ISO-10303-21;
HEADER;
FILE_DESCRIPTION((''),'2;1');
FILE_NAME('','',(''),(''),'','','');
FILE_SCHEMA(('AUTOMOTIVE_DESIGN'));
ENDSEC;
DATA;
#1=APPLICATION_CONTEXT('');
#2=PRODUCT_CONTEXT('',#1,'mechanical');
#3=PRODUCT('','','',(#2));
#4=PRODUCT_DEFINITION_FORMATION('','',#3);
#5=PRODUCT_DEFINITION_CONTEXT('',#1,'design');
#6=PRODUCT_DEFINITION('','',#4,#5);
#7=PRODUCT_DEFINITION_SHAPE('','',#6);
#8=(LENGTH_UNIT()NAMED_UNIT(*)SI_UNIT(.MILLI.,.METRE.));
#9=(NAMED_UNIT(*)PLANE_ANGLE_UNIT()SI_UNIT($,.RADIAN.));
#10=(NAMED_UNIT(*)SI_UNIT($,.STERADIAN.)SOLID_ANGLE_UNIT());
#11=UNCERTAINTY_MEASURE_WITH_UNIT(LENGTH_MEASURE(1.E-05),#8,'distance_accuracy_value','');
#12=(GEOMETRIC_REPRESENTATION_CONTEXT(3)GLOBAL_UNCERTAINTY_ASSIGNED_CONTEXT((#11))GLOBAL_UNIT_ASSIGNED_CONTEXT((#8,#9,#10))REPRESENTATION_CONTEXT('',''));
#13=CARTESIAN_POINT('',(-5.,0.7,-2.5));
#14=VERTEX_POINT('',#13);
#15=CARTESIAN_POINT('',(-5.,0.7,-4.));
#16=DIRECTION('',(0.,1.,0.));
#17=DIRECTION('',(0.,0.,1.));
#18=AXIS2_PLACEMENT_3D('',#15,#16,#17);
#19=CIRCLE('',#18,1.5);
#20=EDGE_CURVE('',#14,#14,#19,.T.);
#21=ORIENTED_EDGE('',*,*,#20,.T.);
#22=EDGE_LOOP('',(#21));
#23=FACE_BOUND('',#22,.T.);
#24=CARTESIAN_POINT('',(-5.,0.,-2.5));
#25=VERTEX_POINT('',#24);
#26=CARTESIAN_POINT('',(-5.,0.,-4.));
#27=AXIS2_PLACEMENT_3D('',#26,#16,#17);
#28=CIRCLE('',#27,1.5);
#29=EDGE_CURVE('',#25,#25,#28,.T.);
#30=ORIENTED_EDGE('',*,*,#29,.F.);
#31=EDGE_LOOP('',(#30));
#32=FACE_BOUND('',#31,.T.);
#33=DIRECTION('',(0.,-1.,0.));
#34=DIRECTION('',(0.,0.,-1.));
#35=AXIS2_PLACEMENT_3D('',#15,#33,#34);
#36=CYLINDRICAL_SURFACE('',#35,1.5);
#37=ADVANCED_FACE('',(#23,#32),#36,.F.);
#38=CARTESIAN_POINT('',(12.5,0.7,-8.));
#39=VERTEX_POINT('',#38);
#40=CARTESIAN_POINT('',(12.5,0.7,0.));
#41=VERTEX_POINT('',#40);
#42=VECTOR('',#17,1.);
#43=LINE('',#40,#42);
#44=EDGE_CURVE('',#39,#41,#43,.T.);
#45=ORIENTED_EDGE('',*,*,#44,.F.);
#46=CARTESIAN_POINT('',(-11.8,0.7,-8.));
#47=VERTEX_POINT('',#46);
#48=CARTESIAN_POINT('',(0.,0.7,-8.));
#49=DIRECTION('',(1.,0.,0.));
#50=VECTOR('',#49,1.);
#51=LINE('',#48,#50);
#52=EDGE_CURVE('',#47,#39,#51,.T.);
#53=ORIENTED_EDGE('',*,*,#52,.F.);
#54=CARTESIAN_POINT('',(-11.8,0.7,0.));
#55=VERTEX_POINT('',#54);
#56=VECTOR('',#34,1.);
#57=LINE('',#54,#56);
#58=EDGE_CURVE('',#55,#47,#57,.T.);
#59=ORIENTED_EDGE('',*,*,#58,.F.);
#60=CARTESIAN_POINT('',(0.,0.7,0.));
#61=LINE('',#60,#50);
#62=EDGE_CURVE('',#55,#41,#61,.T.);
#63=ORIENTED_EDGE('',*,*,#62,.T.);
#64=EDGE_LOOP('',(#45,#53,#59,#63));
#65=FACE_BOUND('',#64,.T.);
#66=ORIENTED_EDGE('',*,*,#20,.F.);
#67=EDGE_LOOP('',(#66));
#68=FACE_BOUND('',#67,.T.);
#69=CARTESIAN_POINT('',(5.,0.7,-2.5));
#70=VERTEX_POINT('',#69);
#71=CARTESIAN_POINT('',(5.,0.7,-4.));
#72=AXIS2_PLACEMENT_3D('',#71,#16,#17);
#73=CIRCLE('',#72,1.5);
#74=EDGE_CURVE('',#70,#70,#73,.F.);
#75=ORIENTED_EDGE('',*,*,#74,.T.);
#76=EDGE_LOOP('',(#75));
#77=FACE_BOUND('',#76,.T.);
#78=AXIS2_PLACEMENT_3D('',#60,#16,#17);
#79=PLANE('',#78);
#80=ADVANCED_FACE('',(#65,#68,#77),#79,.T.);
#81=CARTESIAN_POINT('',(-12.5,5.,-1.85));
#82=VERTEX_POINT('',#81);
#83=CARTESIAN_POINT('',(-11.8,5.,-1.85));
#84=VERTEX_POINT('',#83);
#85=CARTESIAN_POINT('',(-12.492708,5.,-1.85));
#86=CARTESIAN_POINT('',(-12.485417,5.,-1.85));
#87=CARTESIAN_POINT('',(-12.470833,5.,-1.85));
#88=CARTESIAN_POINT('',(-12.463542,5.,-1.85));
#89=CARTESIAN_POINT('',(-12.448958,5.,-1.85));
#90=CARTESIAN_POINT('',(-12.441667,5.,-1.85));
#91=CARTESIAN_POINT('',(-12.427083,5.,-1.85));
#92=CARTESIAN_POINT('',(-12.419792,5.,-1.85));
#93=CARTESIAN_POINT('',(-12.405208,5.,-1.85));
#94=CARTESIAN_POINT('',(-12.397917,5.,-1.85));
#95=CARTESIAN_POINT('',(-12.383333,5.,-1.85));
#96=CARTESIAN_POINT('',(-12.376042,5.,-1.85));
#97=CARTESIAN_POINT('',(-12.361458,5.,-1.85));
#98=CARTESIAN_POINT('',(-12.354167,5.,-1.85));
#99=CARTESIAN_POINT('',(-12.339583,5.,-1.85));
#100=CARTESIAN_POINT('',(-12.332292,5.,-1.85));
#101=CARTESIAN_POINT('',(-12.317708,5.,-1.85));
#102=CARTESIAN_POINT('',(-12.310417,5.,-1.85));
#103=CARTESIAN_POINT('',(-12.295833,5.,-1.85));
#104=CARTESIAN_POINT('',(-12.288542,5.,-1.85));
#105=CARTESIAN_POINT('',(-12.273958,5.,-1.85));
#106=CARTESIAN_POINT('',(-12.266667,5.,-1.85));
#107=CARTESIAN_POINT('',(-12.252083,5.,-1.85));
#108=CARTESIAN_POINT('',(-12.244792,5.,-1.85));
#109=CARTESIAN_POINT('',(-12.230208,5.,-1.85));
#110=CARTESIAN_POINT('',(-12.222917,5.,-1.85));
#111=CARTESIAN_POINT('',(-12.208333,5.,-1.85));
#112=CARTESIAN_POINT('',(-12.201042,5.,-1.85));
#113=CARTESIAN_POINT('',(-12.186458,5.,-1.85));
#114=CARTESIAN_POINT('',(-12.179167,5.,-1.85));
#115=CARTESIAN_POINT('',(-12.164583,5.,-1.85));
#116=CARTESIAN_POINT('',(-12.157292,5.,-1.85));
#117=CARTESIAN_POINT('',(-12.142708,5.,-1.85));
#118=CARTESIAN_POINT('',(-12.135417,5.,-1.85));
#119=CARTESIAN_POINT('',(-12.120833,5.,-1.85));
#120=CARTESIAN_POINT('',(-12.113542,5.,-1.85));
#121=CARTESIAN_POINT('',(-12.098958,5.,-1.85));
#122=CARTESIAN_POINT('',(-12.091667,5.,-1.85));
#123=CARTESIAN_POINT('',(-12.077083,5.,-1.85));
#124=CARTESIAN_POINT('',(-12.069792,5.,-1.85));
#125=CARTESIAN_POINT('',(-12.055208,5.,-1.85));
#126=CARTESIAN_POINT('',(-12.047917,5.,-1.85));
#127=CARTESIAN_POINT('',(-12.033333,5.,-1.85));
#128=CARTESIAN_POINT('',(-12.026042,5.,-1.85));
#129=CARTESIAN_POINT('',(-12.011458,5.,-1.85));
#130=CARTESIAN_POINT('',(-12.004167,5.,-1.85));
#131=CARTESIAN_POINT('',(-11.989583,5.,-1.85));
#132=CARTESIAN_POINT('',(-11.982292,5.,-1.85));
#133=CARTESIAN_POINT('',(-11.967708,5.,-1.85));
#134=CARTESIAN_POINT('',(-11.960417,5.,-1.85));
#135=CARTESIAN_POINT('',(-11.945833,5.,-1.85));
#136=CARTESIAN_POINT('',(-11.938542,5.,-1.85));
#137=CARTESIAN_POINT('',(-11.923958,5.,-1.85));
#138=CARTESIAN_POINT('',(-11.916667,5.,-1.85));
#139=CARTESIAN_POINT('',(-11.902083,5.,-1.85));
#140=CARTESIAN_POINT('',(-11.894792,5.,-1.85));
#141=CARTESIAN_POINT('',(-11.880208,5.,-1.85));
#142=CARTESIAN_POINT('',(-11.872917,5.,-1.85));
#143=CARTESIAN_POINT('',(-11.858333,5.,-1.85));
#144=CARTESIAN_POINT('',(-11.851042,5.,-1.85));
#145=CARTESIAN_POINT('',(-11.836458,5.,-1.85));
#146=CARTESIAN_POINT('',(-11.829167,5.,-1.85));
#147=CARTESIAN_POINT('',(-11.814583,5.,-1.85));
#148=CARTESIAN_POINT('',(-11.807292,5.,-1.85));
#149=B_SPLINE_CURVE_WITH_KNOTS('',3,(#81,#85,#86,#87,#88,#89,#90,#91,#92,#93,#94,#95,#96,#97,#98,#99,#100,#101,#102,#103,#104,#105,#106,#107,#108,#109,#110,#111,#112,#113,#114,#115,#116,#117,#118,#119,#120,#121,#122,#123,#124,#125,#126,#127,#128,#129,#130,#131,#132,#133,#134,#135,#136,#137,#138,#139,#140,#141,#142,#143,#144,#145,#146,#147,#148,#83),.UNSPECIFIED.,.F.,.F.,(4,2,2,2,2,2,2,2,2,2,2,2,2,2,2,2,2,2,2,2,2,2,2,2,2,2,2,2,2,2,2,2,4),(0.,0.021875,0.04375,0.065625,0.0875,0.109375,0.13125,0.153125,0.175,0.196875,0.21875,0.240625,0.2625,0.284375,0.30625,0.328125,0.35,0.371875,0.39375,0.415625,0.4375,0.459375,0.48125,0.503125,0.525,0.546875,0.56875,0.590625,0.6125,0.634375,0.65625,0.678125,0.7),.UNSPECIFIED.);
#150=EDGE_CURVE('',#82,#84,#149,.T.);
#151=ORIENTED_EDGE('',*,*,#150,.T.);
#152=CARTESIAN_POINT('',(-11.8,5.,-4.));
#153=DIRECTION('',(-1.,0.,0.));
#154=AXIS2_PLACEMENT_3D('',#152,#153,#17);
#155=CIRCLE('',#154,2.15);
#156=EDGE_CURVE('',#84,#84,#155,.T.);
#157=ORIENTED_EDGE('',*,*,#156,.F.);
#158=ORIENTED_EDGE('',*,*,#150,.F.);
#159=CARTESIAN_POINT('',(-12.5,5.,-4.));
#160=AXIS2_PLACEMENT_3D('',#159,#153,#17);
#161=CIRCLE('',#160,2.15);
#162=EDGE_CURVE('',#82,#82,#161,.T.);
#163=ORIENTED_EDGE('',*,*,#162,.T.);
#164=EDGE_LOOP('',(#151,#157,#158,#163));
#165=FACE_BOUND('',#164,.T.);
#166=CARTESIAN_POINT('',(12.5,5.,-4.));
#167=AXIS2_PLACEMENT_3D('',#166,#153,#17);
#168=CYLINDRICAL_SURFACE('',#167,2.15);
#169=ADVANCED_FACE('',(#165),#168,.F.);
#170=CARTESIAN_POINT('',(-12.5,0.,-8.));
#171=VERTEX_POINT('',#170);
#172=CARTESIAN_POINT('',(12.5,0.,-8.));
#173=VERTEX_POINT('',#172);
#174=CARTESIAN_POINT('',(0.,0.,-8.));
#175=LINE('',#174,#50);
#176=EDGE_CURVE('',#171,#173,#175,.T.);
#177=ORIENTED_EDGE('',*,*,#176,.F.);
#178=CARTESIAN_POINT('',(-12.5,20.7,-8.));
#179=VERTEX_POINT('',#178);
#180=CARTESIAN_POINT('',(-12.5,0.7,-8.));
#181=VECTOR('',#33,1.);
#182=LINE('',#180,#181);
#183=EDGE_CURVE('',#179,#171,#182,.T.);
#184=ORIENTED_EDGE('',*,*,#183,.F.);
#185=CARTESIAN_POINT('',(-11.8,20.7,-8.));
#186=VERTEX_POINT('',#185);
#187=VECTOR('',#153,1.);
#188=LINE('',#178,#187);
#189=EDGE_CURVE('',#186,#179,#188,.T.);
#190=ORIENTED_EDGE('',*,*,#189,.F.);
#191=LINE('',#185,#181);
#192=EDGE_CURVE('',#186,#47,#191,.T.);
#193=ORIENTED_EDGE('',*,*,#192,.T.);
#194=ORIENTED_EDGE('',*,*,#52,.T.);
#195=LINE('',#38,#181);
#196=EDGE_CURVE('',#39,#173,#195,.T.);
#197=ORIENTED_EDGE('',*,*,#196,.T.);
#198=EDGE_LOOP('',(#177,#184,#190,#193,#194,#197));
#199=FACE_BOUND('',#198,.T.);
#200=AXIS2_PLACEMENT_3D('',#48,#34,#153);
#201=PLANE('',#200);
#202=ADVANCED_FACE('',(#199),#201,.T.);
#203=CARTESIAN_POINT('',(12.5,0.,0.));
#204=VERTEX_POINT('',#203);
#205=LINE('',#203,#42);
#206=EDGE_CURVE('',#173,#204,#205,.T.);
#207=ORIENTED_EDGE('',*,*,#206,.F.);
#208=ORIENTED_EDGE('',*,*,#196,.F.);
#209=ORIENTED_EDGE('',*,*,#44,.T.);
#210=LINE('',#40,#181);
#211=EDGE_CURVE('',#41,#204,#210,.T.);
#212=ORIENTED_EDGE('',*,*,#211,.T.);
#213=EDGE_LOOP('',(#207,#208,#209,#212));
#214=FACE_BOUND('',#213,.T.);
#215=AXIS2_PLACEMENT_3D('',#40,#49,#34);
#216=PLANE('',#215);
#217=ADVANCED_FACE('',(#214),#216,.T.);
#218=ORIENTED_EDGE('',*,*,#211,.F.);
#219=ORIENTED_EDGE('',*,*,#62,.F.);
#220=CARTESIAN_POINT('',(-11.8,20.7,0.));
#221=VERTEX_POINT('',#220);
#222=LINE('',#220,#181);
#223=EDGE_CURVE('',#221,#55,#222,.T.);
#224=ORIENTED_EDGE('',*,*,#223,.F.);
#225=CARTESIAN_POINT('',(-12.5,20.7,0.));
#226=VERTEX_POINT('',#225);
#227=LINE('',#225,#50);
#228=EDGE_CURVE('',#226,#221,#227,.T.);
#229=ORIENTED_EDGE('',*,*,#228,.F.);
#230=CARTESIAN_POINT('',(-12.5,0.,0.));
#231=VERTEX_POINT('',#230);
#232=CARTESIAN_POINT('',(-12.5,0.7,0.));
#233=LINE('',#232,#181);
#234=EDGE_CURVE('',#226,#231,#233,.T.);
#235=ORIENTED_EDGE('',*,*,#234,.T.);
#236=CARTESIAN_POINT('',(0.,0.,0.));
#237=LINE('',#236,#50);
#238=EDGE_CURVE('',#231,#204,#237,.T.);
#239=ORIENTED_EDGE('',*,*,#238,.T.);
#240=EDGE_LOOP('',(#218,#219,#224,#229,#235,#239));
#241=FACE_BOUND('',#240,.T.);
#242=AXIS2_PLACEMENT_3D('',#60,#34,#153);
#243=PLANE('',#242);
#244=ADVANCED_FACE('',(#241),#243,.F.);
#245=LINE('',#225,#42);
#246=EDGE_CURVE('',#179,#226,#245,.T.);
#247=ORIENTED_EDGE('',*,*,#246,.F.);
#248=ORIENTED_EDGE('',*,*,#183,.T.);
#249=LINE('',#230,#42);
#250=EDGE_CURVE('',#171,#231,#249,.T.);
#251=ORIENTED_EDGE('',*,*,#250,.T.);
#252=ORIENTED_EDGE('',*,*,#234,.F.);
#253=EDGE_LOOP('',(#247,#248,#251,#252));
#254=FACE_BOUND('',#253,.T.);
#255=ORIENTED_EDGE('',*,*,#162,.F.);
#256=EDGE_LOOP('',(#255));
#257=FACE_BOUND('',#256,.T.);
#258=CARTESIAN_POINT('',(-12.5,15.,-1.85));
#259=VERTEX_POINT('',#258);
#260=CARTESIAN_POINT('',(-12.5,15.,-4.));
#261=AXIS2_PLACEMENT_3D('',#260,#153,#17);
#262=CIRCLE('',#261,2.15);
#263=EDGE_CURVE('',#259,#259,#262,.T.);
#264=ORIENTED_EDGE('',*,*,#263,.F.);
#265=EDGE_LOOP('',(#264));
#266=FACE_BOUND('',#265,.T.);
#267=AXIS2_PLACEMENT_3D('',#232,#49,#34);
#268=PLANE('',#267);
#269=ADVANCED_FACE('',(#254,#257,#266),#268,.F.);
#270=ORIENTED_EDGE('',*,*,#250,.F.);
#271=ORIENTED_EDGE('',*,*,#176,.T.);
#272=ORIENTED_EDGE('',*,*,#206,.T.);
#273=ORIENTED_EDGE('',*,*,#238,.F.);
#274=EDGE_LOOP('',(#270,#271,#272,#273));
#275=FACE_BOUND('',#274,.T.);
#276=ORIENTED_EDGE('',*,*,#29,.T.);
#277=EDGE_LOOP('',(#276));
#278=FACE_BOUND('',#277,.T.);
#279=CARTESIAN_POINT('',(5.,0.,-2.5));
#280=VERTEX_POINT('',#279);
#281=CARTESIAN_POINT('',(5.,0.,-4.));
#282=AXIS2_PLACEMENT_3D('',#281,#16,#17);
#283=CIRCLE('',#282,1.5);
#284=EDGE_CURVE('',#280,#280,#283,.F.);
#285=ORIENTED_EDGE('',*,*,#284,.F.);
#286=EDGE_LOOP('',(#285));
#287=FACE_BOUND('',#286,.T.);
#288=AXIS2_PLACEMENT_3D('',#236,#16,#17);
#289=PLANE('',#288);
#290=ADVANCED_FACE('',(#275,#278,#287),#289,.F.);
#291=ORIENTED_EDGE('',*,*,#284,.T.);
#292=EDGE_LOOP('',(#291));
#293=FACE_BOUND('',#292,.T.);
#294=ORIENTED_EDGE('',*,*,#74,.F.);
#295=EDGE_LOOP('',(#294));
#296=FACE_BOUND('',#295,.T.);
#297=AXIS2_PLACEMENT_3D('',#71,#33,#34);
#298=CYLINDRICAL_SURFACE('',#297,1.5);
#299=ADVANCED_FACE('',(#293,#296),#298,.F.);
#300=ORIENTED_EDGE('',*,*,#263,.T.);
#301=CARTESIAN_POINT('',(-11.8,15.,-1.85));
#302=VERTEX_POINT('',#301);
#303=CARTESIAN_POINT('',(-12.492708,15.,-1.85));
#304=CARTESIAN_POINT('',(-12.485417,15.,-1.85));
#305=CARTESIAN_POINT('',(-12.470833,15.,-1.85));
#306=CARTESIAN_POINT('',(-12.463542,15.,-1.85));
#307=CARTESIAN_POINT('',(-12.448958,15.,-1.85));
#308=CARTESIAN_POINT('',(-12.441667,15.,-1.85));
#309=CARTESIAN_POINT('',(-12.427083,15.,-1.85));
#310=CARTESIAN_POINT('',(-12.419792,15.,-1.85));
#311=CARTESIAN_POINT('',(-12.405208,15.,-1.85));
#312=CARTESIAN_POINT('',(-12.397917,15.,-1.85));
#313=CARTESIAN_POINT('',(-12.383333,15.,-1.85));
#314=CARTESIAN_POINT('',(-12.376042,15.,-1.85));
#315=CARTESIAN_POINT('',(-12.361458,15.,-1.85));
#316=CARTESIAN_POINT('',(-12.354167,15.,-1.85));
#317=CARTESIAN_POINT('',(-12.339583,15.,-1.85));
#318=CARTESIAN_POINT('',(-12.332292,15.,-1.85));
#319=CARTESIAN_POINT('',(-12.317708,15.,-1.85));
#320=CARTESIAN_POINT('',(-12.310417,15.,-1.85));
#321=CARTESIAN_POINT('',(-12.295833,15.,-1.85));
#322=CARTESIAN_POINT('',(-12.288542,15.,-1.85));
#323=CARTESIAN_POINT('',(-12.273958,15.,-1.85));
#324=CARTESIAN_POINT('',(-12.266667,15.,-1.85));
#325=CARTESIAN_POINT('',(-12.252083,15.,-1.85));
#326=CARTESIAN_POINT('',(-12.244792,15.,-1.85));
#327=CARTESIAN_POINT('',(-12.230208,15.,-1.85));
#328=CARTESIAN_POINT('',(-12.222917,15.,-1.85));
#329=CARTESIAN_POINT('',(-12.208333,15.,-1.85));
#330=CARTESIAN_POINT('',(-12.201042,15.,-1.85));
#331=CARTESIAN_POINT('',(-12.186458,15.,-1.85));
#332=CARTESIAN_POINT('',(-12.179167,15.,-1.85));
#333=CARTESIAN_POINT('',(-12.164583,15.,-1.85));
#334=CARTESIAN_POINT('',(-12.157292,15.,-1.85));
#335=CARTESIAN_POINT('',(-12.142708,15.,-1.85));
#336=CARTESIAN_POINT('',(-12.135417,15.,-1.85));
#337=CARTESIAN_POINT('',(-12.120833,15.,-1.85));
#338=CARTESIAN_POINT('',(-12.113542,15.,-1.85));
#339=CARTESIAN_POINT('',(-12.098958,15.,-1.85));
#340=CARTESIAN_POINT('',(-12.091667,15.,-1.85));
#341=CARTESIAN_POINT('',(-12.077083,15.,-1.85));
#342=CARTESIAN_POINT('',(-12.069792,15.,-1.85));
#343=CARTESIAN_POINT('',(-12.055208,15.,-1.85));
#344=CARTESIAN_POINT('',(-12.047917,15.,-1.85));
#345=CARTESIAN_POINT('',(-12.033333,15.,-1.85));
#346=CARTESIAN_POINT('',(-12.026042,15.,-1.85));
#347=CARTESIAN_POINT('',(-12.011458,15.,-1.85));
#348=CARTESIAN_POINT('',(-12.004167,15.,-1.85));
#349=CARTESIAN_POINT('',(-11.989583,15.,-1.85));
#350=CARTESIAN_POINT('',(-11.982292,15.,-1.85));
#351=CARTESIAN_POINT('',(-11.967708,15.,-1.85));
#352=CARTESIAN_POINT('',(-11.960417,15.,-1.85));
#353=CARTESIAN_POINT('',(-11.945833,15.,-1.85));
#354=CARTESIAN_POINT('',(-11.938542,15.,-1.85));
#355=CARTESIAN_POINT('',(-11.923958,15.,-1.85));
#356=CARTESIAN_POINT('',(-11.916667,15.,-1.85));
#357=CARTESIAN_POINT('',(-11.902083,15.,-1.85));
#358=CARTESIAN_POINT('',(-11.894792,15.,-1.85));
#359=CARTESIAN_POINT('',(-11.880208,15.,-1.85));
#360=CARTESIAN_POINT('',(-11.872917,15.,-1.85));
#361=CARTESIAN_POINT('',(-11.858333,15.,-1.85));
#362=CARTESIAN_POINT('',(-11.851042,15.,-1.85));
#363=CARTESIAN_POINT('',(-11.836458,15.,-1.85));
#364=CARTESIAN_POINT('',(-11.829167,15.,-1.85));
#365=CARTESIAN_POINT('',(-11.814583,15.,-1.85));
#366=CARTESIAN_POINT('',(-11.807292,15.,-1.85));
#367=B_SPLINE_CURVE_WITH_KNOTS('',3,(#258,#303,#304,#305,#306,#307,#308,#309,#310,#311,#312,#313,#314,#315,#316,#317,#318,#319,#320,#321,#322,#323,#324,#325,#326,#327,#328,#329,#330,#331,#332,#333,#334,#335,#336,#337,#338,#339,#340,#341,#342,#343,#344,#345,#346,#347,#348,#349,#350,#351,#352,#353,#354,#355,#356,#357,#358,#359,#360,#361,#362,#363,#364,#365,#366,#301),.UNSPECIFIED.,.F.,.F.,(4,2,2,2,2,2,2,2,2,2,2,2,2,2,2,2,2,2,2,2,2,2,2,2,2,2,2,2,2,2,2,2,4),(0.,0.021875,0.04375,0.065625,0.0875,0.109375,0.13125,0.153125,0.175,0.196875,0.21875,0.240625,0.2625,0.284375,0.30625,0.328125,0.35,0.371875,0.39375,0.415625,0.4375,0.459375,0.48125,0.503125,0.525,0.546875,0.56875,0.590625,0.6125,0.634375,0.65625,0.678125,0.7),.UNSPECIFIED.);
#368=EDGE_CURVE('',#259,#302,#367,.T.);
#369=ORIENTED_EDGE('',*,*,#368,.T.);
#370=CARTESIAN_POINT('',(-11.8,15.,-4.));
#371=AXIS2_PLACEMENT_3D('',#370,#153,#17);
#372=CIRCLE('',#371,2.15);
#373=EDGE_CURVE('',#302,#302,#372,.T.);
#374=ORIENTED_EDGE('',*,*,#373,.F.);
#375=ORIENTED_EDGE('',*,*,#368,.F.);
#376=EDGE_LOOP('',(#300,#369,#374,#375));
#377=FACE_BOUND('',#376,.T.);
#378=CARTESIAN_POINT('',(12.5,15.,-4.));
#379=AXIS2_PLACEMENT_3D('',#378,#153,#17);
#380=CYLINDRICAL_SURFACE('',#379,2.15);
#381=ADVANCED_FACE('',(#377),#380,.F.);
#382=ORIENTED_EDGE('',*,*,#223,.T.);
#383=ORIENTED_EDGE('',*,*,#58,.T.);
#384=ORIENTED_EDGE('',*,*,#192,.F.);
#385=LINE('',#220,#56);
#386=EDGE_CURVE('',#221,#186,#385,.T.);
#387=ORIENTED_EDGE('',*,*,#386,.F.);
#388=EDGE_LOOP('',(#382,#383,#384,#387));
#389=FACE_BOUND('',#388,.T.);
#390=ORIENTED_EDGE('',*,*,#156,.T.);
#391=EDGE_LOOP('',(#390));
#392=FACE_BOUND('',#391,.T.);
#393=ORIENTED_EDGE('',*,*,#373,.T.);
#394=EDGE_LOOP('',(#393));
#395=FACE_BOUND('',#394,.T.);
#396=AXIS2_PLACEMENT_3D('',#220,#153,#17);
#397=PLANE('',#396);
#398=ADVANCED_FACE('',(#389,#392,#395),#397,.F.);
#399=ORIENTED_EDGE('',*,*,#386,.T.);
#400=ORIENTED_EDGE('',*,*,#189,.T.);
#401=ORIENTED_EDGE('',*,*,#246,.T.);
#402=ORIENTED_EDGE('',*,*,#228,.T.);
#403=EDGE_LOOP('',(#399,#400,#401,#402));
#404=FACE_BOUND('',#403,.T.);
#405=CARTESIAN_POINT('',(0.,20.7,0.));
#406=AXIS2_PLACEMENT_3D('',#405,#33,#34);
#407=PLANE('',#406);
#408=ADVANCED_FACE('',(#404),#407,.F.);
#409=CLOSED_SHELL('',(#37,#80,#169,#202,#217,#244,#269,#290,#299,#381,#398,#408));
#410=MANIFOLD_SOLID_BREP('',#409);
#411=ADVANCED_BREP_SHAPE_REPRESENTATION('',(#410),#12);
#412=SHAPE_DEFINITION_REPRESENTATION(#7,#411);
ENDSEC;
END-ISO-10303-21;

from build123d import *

# Parameters (mm, degrees)
BOSS_EXTRUDE1_DEPTH = 0.7
SKETCH3_W           = 0.7
SKETCH3_H           = 8
BOSS_EXTRUDE3_DEPTH = 20
SKETCH4_R           = 2.15
CUT_EXTRUDE1_DEPTH  = 34.42887973


with BuildPart() as part:
    # Sketch1 → Boss-Extrude1 (new body)
    with BuildSketch(Plane(origin=(0, 0, 0), x_dir=(1, 0, 0), z_dir=(0, 1, 0))):
        with BuildLine():
            Line((0, 0), (0, 4))
            Line((0, 4), (-3.5, 4))
            ThreePointArc((-3.5, 4), (-5, 2.5), (-6.5, 4))
            Line((-6.5, 4), (-12.5, 4))
            Line((-12.5, 4), (-12.5, 0))
            Line((-12.5, 0), (0, 0))
        make_face()
        with BuildLine():
            Line((12.5, 4), (6.5, 4))
            ThreePointArc((6.5, 4), (5, 2.5), (3.5, 4))
            Line((3.5, 4), (0, 4))
            Line((0, 4), (0, 0))
            Line((0, 0), (12.5, 0))
            Line((12.5, 0), (12.5, 4))
        make_face()
        with BuildLine():
            ThreePointArc((3.5, 4), (5, 5.5), (6.5, 4))
            Line((6.5, 4), (12.5, 4))
            Line((12.5, 4), (12.5, 8))
            Line((12.5, 8), (0, 8))
            Line((0, 8), (0, 4))
            Line((0, 4), (3.5, 4))
        make_face()
        with BuildLine():
            Line((-3.5, 4), (0, 4))
            Line((0, 4), (0, 8))
            Line((0, 8), (-12.5, 8))
            Line((-12.5, 8), (-12.5, 4))
            Line((-12.5, 4), (-6.5, 4))
            ThreePointArc((-6.5, 4), (-5, 5.5), (-3.5, 4))
        make_face()
    extrude(amount=BOSS_EXTRUDE1_DEPTH)

    # Sketch3 → Boss-Extrude3 (add)
    with BuildSketch(Plane(origin=(0, 0.7, 0), x_dir=(1, 0, 0), z_dir=(0, 1, 0))):
        with Locations((-12.15, 4)):
            Rectangle(SKETCH3_W, SKETCH3_H)
    extrude(amount=BOSS_EXTRUDE3_DEPTH)

    # Sketch4 → Cut-Extrude1 (cut, through all)
    with BuildSketch(Plane.ZY.offset(12.5)):
        with Locations((-4, 5)):
            Circle(SKETCH4_R)
        with Locations((-4, 15)):
            Circle(SKETCH4_R)
    extrude(amount=-CUT_EXTRUDE1_DEPTH, mode=Mode.SUBTRACT)


solid = part.part
